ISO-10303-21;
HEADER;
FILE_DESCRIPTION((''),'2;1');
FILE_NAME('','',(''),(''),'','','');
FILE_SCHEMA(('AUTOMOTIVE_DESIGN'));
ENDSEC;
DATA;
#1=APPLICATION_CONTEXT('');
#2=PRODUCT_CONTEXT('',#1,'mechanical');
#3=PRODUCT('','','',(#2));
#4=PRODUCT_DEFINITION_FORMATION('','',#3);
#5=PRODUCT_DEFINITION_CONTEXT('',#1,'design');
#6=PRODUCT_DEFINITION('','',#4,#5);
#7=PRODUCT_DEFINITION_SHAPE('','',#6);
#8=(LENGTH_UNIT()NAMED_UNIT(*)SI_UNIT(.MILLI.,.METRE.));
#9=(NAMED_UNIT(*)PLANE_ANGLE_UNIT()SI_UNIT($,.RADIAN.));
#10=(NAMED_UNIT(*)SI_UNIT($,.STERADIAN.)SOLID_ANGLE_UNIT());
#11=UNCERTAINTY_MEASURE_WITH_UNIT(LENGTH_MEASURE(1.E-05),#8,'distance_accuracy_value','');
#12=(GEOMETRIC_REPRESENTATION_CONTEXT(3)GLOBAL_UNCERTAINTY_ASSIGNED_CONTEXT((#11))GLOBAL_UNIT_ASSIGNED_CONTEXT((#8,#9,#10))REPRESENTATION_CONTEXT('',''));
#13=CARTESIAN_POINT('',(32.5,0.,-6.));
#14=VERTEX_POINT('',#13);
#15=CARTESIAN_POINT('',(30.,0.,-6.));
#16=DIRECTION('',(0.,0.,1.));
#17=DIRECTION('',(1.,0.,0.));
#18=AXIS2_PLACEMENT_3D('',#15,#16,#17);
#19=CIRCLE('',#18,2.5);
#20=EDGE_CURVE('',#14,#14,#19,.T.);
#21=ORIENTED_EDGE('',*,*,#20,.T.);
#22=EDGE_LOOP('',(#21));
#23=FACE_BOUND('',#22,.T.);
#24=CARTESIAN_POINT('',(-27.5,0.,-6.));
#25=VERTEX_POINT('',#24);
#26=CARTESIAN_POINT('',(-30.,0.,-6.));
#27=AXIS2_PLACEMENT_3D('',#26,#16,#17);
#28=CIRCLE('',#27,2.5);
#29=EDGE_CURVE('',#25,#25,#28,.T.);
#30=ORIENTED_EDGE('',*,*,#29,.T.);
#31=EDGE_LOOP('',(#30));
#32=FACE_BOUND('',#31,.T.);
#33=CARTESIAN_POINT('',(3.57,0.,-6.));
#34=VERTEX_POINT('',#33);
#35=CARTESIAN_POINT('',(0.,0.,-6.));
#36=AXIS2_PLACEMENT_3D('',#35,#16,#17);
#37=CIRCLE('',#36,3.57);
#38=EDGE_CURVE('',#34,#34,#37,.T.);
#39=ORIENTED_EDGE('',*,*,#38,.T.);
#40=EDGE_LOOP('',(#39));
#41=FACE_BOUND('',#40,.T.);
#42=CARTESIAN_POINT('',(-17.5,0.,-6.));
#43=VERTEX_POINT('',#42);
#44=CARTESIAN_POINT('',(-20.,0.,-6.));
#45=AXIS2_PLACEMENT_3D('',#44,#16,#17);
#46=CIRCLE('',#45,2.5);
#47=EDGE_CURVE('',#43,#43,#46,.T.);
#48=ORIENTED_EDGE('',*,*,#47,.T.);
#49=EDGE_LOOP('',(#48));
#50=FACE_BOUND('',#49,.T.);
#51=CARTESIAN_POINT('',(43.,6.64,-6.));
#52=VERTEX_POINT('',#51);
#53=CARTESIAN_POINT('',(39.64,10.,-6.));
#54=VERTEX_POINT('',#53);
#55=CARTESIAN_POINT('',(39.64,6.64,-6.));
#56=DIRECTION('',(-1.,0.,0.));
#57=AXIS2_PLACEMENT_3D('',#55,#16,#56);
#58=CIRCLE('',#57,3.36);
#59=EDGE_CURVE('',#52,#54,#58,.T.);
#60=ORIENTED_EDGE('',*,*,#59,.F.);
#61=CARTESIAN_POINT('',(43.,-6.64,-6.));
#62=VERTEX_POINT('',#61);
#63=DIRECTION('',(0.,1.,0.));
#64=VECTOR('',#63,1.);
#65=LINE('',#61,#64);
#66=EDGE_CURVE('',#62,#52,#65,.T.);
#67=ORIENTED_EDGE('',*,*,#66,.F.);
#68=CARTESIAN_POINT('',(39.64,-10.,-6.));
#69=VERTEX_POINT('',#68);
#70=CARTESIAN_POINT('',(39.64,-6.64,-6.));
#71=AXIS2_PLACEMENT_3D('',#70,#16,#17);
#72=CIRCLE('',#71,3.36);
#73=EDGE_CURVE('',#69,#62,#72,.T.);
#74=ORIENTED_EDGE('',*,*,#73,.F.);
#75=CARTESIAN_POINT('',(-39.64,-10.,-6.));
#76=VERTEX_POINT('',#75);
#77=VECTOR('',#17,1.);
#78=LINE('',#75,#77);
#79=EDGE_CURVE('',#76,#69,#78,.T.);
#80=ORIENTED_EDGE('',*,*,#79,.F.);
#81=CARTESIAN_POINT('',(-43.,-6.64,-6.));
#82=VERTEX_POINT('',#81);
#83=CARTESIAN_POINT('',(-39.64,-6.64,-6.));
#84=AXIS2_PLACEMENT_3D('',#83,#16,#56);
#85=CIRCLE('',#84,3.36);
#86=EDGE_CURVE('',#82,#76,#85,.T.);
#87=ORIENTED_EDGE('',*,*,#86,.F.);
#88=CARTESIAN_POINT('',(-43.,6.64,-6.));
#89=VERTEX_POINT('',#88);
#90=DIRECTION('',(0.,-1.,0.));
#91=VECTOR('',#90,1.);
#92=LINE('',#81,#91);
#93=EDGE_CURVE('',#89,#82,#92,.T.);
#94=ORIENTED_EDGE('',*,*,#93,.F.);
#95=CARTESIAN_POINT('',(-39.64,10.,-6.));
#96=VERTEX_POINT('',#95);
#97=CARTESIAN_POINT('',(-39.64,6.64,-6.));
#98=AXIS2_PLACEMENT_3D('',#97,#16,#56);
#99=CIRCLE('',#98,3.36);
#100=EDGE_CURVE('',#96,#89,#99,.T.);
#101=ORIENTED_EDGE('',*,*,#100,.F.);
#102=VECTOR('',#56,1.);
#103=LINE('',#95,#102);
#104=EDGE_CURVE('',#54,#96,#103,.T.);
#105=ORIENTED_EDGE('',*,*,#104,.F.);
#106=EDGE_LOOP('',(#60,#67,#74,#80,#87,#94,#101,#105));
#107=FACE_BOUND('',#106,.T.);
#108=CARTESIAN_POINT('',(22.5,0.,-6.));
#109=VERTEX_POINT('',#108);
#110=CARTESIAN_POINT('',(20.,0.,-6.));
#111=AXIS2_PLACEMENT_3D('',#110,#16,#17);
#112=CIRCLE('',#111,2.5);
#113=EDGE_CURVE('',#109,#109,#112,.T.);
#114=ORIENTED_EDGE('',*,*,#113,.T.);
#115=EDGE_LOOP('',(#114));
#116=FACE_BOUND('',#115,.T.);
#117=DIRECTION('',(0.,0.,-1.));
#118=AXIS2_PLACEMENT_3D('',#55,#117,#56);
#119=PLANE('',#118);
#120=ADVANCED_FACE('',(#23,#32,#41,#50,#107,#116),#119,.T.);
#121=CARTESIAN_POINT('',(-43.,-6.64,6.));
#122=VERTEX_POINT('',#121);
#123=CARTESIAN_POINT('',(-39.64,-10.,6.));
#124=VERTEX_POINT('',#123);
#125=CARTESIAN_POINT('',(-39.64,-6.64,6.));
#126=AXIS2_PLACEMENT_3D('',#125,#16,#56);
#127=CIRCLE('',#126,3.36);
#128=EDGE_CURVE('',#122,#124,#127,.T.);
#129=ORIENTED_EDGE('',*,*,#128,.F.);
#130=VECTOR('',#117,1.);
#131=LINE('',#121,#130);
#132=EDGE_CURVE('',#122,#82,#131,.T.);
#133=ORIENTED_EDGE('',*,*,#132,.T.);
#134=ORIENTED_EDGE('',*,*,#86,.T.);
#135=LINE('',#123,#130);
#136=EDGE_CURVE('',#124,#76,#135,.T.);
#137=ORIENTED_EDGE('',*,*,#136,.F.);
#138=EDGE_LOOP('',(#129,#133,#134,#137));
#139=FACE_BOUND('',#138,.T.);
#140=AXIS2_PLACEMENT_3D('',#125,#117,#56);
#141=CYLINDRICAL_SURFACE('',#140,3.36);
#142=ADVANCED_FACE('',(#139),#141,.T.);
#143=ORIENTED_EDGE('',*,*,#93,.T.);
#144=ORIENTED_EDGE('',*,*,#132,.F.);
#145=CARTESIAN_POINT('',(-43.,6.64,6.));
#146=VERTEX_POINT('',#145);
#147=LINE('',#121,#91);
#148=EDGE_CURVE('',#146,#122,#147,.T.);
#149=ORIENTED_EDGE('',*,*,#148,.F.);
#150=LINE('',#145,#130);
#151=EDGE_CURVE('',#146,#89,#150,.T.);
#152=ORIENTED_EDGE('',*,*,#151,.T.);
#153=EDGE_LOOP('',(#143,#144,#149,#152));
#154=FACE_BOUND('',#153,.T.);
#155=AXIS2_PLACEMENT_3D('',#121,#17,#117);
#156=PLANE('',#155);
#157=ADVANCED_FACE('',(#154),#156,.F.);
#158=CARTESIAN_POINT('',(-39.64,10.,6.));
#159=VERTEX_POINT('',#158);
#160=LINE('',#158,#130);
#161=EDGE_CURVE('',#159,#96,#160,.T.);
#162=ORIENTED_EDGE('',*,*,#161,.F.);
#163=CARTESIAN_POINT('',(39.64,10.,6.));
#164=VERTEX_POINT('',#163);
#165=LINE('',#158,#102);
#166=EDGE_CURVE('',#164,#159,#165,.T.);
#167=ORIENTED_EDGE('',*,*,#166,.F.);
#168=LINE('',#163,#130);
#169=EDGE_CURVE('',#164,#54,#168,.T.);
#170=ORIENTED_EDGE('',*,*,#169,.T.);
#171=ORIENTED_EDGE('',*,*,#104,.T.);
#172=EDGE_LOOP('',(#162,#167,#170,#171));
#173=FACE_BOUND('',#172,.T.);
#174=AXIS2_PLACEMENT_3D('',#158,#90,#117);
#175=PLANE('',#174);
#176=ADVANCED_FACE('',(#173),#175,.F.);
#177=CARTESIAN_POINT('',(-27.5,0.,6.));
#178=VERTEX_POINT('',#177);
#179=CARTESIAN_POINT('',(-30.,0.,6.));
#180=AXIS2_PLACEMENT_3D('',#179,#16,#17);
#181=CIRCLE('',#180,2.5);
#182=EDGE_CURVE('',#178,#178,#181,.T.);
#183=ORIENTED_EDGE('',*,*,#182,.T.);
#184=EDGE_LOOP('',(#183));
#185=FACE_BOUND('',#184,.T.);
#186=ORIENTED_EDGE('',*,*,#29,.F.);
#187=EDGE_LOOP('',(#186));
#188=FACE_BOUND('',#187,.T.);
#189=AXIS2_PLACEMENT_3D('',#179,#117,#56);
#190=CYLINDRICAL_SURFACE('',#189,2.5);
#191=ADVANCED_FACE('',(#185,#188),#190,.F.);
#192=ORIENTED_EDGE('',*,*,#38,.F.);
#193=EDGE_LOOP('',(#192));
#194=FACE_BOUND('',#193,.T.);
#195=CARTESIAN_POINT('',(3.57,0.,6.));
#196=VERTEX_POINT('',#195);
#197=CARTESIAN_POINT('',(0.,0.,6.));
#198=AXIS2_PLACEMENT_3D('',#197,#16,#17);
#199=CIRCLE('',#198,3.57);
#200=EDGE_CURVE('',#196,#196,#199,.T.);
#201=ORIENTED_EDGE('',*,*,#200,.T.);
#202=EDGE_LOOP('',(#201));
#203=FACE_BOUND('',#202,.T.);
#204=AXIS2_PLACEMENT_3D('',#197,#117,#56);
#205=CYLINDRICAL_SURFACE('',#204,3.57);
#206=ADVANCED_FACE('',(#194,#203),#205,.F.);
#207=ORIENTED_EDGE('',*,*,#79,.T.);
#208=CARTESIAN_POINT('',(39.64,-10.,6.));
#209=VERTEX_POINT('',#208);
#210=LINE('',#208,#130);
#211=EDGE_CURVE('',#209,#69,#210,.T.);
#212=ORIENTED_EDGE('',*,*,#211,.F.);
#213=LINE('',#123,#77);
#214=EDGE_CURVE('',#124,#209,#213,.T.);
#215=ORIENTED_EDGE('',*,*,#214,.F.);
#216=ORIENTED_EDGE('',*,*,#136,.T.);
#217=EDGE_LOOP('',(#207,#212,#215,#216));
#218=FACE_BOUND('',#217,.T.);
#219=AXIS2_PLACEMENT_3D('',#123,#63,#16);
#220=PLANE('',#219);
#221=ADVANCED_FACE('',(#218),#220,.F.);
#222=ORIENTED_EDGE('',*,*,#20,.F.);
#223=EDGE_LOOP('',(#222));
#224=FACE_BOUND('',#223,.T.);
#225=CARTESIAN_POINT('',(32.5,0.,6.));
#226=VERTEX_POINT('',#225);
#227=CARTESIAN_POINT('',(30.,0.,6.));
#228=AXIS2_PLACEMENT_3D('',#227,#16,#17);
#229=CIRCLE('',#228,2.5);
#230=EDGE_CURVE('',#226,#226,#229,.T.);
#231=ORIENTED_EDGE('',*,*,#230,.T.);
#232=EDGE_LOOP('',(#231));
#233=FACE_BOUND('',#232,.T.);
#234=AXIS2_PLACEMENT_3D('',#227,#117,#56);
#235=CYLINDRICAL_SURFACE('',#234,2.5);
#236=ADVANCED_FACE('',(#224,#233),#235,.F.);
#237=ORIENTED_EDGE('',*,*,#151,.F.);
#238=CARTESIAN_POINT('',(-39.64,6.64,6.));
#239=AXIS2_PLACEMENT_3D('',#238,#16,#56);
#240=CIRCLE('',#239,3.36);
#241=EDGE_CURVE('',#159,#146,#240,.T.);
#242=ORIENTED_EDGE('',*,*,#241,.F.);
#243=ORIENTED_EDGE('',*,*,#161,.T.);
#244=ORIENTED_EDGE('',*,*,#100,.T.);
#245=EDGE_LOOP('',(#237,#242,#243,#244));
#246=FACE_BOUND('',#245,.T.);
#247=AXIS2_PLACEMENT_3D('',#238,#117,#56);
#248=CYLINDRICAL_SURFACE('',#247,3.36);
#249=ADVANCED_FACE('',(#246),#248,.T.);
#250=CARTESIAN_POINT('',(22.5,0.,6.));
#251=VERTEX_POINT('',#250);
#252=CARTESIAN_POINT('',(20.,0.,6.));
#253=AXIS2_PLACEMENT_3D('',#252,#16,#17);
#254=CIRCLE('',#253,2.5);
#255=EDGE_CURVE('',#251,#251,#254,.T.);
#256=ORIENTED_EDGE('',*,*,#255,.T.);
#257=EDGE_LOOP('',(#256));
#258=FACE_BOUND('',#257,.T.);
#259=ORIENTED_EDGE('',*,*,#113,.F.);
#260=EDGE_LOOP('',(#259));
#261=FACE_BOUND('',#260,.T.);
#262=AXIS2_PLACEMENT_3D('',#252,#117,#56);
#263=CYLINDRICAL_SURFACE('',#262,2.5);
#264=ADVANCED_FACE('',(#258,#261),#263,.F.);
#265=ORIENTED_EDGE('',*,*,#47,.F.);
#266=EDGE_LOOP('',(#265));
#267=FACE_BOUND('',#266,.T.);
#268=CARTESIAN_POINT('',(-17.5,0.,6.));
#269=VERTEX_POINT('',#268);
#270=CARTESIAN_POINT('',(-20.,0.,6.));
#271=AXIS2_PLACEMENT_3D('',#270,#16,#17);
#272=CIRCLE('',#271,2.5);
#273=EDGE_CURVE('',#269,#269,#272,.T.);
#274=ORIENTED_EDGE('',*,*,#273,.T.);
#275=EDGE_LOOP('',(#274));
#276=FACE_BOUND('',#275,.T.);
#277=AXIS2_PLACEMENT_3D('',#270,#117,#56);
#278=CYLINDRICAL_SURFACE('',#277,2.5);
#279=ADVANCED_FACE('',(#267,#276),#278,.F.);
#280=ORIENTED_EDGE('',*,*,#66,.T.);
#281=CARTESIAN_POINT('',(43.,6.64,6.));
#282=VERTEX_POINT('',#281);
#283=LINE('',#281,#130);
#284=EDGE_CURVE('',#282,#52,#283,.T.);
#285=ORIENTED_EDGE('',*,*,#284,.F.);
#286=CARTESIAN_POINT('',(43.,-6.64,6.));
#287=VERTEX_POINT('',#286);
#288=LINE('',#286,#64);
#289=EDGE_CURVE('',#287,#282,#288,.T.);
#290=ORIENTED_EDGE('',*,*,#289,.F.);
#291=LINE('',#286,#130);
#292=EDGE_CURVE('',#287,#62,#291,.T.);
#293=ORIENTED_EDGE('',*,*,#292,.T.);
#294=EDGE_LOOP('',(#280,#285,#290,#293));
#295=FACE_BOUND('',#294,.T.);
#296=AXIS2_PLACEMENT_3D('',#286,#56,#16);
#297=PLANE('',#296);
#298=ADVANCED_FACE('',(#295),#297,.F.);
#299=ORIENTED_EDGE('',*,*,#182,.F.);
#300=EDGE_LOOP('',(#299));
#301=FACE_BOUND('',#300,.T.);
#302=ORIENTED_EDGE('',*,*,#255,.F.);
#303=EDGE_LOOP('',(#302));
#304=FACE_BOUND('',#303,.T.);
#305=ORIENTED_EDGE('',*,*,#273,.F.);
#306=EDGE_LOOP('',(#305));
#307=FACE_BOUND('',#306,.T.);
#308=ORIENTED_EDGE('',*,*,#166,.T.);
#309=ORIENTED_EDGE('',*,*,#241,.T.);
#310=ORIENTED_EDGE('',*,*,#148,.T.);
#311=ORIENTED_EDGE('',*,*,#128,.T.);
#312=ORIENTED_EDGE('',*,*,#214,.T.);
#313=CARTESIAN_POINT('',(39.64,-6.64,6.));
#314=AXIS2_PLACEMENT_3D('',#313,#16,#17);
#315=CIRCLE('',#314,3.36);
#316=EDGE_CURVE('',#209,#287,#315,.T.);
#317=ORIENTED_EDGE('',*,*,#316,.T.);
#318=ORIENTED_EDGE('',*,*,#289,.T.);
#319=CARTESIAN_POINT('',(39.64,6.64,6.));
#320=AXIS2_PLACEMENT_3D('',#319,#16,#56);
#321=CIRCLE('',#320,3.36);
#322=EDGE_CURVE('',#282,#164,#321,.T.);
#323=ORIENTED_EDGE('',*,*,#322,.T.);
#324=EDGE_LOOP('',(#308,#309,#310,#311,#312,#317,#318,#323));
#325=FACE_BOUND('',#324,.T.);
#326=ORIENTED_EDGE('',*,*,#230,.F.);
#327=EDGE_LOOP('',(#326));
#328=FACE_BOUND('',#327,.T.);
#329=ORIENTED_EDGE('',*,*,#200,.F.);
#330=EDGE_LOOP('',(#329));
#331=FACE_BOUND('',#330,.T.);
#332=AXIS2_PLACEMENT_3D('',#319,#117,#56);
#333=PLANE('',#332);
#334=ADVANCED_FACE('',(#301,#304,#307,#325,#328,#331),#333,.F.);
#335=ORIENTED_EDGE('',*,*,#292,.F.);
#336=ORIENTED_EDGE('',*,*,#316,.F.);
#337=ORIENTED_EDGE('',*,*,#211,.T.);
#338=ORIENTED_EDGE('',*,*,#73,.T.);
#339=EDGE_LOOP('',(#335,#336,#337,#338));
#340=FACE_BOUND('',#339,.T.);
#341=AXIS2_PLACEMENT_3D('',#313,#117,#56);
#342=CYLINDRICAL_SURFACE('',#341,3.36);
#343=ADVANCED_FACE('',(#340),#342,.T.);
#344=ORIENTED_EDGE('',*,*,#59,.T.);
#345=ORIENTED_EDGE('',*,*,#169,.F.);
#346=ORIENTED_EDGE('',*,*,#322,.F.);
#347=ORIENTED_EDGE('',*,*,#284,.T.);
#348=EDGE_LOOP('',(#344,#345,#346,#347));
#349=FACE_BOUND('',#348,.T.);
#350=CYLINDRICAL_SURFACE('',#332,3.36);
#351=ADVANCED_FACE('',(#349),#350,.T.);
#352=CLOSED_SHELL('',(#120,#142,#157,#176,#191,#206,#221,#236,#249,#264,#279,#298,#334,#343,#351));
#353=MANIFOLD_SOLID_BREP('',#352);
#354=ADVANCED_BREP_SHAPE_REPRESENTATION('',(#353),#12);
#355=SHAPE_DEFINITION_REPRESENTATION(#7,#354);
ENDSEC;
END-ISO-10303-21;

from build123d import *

# Parameters (mm, degrees)
SKETCH1_R           = 2.5
SKETCH1_R_2         = 3.57
BOSS_EXTRUDE1_DEPTH = 6


with BuildPart() as part:
    # Sketch1 → Boss-Extrude1 (new, symmetric)
    with BuildSketch(Plane.XY):
        with BuildLine():
            Line((-39.64, -10), (39.64, -10))
            ThreePointArc((39.64, -10), (42.015878785, -9.015878785), (43, -6.64))
            Line((43, -6.64), (43, 6.64))
            ThreePointArc((43, 6.64), (42.015878785, 9.015878785), (39.64, 10))
            Line((39.64, 10), (-39.64, 10))
            ThreePointArc((-39.64, 10), (-42.015878785, 9.015878785), (-43, 6.64))
            Line((-43, 6.64), (-43, -6.64))
            ThreePointArc((-43, -6.64), (-42.015878785, -9.015878785), (-39.64, -10))
        make_face()
        with Locations((-30, 0)):
            Circle(SKETCH1_R, mode=Mode.SUBTRACT)
        Circle(SKETCH1_R_2, mode=Mode.SUBTRACT)
        with Locations((30, 0)):
            Circle(SKETCH1_R, mode=Mode.SUBTRACT)
        with Locations((-20, 0)):
            Circle(SKETCH1_R, mode=Mode.SUBTRACT)
        with Locations((20, 0)):
            Circle(SKETCH1_R, mode=Mode.SUBTRACT)
    extrude(amount=BOSS_EXTRUDE1_DEPTH, both=True)


solid = part.part
